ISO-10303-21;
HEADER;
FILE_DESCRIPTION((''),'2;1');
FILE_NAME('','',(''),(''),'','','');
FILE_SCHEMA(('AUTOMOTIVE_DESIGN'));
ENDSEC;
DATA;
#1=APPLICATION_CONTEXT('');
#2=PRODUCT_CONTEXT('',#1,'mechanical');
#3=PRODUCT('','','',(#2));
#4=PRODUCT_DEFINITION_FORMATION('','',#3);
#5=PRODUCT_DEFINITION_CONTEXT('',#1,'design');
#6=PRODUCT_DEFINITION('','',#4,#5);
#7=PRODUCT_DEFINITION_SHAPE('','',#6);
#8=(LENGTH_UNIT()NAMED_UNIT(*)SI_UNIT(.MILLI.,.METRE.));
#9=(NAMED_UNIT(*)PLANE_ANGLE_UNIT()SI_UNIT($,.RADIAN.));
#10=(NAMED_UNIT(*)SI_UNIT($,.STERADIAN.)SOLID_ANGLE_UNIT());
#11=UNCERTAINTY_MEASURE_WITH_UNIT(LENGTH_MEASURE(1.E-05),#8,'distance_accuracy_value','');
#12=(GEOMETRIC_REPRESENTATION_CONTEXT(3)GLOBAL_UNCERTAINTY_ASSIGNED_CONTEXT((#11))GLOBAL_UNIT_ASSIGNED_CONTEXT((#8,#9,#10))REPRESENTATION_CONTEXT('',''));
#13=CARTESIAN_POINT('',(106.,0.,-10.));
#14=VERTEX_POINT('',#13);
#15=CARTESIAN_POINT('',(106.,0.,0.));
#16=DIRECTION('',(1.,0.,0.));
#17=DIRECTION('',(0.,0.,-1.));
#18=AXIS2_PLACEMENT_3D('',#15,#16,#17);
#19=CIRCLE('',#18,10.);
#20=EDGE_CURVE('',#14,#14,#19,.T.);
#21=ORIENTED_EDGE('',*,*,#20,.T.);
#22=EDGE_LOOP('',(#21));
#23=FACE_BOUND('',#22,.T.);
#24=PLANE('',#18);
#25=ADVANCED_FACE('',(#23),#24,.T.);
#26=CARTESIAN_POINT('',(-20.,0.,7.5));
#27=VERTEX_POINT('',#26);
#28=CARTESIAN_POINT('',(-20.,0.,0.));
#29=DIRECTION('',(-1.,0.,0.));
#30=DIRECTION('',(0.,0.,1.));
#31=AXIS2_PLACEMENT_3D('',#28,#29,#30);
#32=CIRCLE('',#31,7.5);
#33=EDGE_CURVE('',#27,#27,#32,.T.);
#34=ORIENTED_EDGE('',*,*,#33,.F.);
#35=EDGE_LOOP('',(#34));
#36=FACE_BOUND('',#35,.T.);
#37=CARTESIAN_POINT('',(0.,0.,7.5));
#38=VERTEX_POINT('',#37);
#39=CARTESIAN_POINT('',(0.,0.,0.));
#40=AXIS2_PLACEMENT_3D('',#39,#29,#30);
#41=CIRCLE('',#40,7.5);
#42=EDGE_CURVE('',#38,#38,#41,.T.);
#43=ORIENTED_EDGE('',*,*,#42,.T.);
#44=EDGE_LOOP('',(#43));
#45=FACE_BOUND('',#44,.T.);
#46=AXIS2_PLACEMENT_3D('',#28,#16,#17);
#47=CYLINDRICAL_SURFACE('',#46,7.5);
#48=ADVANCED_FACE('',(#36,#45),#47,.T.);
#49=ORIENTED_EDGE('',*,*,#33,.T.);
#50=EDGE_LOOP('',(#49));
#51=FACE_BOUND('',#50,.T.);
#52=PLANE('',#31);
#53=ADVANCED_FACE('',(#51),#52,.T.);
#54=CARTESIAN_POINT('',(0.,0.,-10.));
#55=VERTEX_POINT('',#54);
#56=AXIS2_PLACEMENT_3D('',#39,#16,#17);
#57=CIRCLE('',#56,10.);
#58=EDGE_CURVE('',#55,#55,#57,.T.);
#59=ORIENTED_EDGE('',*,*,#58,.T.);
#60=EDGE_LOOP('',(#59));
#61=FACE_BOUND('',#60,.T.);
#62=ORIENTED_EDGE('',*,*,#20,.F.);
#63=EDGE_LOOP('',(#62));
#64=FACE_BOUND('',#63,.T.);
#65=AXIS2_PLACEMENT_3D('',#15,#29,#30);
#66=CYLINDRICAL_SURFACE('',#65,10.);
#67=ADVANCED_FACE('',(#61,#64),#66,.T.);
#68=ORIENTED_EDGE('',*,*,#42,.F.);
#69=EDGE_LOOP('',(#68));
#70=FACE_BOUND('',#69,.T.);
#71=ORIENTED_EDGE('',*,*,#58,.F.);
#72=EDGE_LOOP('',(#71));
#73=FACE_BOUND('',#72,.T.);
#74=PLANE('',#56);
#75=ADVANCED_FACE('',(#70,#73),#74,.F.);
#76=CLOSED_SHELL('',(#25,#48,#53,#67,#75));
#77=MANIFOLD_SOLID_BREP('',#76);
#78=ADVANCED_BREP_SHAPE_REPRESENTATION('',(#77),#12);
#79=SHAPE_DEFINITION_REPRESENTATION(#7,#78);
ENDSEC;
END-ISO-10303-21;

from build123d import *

# Parameters (mm, degrees)
SKETCH2_R           = 10
BOSS_EXTRUDE1_DEPTH = 106
SKETCH3_R           = 7.5
BOSS_EXTRUDE2_DEPTH = 20


with BuildPart() as part:
    # Sketch2 → Boss-Extrude1 (new body)
    with BuildSketch(Plane(origin=(0, 0, 0), x_dir=(0, 0, -1), z_dir=(1, 0, 0))):
        Circle(SKETCH2_R)
    extrude(amount=BOSS_EXTRUDE1_DEPTH)

    # Sketch3 → Boss-Extrude2 (add)
    with BuildSketch(Plane.ZY):
        Circle(SKETCH3_R)
    extrude(amount=BOSS_EXTRUDE2_DEPTH)


solid = part.part
